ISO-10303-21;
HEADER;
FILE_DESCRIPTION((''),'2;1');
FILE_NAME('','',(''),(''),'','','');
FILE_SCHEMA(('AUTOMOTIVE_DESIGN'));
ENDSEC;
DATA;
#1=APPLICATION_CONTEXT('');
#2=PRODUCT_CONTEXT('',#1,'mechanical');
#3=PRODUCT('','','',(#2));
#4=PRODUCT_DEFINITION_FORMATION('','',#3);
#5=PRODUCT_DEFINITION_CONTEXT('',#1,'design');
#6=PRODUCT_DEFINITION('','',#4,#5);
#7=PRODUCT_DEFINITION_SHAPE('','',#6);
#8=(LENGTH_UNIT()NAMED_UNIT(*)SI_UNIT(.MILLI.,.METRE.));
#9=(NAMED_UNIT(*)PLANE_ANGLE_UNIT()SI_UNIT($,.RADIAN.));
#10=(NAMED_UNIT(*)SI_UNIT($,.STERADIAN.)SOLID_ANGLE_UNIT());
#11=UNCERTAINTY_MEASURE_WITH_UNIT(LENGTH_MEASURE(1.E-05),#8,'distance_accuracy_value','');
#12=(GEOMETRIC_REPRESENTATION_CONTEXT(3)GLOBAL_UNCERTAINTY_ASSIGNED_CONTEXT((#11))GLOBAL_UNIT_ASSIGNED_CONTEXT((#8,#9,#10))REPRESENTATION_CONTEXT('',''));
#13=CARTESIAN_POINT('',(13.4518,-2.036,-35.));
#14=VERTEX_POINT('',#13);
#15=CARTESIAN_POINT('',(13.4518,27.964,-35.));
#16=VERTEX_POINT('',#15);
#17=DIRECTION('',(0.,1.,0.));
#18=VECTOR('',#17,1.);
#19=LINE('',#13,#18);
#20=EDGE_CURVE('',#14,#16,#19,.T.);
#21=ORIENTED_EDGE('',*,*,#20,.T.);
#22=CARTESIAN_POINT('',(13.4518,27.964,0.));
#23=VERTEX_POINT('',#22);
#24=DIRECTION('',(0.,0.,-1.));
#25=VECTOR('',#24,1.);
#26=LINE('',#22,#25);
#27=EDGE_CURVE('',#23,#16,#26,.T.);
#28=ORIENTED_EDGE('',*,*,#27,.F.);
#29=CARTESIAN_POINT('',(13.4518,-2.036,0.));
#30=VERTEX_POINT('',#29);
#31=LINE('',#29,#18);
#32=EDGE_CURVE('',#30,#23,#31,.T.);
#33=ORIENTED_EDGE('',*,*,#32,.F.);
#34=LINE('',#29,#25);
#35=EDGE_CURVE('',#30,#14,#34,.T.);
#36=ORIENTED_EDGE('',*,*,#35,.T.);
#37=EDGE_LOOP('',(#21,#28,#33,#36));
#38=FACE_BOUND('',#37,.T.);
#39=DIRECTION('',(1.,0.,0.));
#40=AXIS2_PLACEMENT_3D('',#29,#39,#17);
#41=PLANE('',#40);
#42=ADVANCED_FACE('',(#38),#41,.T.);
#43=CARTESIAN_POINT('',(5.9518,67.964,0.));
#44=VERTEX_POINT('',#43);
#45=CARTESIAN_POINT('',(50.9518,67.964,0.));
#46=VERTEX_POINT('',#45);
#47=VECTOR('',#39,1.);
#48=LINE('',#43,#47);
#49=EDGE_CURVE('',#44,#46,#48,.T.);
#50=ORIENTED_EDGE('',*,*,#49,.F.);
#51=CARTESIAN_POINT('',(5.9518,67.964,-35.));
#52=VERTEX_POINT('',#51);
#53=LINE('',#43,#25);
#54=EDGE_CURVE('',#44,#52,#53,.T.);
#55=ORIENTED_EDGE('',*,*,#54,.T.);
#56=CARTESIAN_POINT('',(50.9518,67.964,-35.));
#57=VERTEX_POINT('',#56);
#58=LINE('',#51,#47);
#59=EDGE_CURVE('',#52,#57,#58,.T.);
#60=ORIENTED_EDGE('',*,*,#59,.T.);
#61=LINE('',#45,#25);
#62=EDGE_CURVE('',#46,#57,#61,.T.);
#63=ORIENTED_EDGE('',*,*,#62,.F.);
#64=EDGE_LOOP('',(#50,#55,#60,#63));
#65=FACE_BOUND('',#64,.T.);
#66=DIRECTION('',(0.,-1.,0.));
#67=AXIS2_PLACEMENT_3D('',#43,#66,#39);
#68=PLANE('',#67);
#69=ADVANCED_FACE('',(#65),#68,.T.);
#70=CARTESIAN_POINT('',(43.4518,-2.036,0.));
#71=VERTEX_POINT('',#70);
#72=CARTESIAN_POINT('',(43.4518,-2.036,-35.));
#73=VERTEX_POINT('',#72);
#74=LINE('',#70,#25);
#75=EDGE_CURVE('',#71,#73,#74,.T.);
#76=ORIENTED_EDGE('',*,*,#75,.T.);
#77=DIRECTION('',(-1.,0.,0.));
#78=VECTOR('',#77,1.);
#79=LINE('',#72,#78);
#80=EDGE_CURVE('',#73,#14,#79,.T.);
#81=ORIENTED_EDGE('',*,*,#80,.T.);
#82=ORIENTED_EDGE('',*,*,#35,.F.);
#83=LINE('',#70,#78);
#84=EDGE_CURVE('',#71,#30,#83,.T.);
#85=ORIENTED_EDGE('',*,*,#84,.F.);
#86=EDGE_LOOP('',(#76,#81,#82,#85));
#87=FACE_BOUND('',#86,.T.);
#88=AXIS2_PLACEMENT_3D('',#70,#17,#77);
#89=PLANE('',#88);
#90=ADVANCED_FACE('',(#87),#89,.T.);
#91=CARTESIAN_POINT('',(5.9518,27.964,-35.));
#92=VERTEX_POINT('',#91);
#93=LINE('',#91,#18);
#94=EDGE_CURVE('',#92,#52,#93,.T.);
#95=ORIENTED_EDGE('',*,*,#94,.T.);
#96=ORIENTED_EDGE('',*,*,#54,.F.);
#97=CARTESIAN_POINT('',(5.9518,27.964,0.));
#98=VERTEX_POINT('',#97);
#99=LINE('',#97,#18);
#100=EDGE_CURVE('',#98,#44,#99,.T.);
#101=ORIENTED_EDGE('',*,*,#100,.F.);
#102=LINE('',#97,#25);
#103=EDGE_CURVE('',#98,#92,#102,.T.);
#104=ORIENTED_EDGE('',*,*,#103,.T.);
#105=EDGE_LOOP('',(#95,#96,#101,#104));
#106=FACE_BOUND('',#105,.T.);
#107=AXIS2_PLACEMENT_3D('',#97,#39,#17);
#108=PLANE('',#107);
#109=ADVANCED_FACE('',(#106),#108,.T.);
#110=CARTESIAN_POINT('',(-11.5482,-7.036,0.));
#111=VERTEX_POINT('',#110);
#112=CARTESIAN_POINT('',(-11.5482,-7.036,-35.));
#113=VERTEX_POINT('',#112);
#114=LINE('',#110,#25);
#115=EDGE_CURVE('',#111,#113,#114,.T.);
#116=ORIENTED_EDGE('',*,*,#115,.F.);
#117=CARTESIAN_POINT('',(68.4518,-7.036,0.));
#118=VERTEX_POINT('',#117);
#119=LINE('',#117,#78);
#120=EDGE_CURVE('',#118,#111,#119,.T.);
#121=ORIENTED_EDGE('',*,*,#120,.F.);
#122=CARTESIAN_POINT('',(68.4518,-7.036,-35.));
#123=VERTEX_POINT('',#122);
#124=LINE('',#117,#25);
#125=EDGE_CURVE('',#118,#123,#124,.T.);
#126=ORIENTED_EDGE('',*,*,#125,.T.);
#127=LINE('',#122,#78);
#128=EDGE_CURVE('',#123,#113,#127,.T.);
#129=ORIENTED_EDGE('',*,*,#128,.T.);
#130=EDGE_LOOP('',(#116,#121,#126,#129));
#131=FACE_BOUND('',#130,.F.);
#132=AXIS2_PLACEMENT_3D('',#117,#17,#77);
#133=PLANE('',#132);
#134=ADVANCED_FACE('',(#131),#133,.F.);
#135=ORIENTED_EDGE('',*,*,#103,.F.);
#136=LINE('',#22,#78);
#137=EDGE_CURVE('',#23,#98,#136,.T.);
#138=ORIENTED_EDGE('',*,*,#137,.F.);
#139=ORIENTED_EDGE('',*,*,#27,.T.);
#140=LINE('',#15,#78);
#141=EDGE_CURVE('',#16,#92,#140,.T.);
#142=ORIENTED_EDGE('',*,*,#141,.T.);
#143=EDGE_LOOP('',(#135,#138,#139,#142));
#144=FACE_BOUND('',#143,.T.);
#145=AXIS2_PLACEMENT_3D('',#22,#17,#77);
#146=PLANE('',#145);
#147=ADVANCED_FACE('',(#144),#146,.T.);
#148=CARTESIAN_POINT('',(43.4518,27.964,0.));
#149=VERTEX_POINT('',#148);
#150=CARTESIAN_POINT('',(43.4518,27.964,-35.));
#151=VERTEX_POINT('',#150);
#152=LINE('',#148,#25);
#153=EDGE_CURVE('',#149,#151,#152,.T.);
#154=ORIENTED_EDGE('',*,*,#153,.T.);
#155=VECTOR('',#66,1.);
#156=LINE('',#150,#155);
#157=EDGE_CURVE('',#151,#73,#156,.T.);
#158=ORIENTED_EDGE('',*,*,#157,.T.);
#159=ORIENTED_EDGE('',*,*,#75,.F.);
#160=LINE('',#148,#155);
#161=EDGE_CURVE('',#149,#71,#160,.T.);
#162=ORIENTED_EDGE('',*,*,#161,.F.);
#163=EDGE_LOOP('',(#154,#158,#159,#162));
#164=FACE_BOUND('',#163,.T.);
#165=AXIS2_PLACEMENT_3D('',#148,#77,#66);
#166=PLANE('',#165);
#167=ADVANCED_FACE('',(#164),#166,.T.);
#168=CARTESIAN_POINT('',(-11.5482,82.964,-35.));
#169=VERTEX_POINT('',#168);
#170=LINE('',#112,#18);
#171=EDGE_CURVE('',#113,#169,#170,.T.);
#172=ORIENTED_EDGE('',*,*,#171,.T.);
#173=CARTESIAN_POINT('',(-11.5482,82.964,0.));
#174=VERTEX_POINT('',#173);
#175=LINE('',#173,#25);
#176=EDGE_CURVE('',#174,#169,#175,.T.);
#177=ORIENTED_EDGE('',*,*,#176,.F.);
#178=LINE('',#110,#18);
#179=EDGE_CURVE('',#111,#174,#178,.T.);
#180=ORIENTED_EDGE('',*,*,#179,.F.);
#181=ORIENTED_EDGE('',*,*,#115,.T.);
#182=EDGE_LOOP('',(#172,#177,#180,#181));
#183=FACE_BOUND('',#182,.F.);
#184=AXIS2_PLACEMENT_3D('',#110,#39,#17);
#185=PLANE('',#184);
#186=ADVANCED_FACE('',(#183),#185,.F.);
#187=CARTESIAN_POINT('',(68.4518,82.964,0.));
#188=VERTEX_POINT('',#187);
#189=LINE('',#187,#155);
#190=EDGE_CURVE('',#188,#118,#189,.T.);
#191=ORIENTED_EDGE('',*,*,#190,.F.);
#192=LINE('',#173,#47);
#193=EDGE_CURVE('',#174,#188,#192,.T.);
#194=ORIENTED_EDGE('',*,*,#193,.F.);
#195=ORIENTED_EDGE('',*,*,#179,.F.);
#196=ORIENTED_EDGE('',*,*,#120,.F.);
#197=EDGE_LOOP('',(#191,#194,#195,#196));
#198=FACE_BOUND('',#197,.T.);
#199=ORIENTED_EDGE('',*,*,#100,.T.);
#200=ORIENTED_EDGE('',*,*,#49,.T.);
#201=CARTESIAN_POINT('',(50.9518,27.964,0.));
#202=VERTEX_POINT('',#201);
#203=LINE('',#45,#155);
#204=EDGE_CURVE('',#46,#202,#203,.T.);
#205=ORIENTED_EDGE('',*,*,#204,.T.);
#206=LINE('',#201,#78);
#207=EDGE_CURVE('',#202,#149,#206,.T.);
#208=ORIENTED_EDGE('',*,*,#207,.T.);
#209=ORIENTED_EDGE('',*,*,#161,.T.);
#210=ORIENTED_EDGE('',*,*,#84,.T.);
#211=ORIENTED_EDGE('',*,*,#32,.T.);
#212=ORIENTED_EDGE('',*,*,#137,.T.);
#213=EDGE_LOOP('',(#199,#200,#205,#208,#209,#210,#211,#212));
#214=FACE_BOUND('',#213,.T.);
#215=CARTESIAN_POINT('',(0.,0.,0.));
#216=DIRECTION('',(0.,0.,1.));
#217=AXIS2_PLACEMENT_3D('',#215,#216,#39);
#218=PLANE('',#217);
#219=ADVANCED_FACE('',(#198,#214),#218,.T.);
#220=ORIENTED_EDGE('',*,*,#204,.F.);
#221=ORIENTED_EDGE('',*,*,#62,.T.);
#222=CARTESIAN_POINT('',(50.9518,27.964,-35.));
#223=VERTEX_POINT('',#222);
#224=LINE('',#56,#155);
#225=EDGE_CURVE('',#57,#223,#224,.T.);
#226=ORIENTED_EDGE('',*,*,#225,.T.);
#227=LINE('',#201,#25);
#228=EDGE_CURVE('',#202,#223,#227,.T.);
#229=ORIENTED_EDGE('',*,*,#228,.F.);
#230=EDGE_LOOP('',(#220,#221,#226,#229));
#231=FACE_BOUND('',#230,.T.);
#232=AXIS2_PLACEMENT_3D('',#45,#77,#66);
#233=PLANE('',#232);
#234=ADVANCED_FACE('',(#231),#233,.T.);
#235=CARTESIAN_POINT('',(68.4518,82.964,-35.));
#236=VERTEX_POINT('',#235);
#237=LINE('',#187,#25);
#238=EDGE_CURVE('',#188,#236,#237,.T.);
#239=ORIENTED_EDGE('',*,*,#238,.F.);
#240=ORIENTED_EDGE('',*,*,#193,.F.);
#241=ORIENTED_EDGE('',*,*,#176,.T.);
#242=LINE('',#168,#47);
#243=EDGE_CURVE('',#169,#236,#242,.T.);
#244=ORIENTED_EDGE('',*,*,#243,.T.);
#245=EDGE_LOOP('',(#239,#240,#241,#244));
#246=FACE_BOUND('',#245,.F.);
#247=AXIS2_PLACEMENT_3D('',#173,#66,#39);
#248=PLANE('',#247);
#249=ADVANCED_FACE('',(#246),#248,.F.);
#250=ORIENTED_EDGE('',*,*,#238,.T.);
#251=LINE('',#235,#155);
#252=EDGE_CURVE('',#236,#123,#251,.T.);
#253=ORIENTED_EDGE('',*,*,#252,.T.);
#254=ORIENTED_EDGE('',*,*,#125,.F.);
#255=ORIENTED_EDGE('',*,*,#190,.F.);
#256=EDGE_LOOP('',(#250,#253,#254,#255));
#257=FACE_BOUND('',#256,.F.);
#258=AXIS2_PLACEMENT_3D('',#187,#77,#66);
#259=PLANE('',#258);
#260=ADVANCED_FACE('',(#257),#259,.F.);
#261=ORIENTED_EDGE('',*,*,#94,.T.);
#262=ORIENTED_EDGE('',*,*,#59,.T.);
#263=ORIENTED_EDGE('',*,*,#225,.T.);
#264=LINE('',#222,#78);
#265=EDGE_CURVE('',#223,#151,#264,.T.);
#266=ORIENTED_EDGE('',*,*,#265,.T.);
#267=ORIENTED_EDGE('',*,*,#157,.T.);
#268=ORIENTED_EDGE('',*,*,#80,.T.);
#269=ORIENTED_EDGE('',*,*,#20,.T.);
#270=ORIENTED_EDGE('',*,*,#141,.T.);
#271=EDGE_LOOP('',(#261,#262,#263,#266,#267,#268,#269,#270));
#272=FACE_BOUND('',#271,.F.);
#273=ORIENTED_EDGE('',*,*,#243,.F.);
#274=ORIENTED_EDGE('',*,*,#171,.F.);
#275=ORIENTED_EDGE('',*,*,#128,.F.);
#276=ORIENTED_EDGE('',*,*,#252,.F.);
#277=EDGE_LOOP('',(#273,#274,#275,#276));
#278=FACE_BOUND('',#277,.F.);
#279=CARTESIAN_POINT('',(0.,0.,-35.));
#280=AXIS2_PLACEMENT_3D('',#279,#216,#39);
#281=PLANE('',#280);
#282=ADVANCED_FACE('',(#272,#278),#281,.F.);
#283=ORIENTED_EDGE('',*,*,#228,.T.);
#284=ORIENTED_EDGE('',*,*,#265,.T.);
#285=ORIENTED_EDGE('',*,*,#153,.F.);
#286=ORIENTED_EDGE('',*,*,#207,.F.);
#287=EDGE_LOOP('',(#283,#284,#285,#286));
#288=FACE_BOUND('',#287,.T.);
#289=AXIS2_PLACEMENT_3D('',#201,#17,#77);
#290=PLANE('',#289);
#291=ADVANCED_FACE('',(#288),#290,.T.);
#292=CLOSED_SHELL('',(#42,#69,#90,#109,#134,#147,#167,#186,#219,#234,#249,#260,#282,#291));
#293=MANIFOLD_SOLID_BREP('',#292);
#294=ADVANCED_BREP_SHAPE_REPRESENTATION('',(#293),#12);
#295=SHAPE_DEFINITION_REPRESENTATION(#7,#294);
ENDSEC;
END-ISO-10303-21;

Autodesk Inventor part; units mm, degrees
ref_plane "YZ Plane" through (0, 0, 0) normal (1, 0, 0) x (0, 1, 0)
ref_plane "XZ Plane" through (0, 0, 0) normal (0, 1, 0) x (-1, 0, 0)
ref_plane "XY Plane" through (0, 0, 0) normal (0, 0, 1) x (1, 0, 0)
sketch "Sketch1" plane through (0, 0, 0) normal (0, 0, 1) x (1, 0, 0)
  line L0 (-11.5482, -7.036) -> (-11.5482, 82.964)
  line L1 (-11.5482, 82.964) -> (68.4518, 82.964)
  line L2 (68.4518, 82.964) -> (68.4518, -7.036)
  line L3 (68.4518, -7.036) -> (-11.5482, -7.036)
  line L4 (5.9518, 27.964) -> (5.9518, 67.964)
  line L5 (5.9518, 67.964) -> (50.9518, 67.964)
  line L6 (50.9518, 67.964) -> (50.9518, 27.964)
  line L7 (50.9518, 27.964) -> (43.4518, 27.964)
  line L8 (43.4518, 27.964) -> (43.4518, -2.036)
  line L9 (43.4518, -2.036) -> (13.4518, -2.036)
  line L10 (13.4518, -2.036) -> (13.4518, 27.964)
  line L11 (13.4518, 27.964) -> (5.9518, 27.964)
  point P0 (0, 0)
  dimension "d0" = 90
  dimension "d1" = 80
  dimension "d2" = 90
  dimension "d3" = 45
  dimension "d4" = 40
  dimension "d5" = 7.5
  dimension "d6" = 30
  dimension "d7" = 17.5
  dimension "d8" = 15
  dimension "d9" = 30
extrude "Extrusion1" add sketch "Sketch1" against normal blind 35
properties part number "BT002_Matrize"
